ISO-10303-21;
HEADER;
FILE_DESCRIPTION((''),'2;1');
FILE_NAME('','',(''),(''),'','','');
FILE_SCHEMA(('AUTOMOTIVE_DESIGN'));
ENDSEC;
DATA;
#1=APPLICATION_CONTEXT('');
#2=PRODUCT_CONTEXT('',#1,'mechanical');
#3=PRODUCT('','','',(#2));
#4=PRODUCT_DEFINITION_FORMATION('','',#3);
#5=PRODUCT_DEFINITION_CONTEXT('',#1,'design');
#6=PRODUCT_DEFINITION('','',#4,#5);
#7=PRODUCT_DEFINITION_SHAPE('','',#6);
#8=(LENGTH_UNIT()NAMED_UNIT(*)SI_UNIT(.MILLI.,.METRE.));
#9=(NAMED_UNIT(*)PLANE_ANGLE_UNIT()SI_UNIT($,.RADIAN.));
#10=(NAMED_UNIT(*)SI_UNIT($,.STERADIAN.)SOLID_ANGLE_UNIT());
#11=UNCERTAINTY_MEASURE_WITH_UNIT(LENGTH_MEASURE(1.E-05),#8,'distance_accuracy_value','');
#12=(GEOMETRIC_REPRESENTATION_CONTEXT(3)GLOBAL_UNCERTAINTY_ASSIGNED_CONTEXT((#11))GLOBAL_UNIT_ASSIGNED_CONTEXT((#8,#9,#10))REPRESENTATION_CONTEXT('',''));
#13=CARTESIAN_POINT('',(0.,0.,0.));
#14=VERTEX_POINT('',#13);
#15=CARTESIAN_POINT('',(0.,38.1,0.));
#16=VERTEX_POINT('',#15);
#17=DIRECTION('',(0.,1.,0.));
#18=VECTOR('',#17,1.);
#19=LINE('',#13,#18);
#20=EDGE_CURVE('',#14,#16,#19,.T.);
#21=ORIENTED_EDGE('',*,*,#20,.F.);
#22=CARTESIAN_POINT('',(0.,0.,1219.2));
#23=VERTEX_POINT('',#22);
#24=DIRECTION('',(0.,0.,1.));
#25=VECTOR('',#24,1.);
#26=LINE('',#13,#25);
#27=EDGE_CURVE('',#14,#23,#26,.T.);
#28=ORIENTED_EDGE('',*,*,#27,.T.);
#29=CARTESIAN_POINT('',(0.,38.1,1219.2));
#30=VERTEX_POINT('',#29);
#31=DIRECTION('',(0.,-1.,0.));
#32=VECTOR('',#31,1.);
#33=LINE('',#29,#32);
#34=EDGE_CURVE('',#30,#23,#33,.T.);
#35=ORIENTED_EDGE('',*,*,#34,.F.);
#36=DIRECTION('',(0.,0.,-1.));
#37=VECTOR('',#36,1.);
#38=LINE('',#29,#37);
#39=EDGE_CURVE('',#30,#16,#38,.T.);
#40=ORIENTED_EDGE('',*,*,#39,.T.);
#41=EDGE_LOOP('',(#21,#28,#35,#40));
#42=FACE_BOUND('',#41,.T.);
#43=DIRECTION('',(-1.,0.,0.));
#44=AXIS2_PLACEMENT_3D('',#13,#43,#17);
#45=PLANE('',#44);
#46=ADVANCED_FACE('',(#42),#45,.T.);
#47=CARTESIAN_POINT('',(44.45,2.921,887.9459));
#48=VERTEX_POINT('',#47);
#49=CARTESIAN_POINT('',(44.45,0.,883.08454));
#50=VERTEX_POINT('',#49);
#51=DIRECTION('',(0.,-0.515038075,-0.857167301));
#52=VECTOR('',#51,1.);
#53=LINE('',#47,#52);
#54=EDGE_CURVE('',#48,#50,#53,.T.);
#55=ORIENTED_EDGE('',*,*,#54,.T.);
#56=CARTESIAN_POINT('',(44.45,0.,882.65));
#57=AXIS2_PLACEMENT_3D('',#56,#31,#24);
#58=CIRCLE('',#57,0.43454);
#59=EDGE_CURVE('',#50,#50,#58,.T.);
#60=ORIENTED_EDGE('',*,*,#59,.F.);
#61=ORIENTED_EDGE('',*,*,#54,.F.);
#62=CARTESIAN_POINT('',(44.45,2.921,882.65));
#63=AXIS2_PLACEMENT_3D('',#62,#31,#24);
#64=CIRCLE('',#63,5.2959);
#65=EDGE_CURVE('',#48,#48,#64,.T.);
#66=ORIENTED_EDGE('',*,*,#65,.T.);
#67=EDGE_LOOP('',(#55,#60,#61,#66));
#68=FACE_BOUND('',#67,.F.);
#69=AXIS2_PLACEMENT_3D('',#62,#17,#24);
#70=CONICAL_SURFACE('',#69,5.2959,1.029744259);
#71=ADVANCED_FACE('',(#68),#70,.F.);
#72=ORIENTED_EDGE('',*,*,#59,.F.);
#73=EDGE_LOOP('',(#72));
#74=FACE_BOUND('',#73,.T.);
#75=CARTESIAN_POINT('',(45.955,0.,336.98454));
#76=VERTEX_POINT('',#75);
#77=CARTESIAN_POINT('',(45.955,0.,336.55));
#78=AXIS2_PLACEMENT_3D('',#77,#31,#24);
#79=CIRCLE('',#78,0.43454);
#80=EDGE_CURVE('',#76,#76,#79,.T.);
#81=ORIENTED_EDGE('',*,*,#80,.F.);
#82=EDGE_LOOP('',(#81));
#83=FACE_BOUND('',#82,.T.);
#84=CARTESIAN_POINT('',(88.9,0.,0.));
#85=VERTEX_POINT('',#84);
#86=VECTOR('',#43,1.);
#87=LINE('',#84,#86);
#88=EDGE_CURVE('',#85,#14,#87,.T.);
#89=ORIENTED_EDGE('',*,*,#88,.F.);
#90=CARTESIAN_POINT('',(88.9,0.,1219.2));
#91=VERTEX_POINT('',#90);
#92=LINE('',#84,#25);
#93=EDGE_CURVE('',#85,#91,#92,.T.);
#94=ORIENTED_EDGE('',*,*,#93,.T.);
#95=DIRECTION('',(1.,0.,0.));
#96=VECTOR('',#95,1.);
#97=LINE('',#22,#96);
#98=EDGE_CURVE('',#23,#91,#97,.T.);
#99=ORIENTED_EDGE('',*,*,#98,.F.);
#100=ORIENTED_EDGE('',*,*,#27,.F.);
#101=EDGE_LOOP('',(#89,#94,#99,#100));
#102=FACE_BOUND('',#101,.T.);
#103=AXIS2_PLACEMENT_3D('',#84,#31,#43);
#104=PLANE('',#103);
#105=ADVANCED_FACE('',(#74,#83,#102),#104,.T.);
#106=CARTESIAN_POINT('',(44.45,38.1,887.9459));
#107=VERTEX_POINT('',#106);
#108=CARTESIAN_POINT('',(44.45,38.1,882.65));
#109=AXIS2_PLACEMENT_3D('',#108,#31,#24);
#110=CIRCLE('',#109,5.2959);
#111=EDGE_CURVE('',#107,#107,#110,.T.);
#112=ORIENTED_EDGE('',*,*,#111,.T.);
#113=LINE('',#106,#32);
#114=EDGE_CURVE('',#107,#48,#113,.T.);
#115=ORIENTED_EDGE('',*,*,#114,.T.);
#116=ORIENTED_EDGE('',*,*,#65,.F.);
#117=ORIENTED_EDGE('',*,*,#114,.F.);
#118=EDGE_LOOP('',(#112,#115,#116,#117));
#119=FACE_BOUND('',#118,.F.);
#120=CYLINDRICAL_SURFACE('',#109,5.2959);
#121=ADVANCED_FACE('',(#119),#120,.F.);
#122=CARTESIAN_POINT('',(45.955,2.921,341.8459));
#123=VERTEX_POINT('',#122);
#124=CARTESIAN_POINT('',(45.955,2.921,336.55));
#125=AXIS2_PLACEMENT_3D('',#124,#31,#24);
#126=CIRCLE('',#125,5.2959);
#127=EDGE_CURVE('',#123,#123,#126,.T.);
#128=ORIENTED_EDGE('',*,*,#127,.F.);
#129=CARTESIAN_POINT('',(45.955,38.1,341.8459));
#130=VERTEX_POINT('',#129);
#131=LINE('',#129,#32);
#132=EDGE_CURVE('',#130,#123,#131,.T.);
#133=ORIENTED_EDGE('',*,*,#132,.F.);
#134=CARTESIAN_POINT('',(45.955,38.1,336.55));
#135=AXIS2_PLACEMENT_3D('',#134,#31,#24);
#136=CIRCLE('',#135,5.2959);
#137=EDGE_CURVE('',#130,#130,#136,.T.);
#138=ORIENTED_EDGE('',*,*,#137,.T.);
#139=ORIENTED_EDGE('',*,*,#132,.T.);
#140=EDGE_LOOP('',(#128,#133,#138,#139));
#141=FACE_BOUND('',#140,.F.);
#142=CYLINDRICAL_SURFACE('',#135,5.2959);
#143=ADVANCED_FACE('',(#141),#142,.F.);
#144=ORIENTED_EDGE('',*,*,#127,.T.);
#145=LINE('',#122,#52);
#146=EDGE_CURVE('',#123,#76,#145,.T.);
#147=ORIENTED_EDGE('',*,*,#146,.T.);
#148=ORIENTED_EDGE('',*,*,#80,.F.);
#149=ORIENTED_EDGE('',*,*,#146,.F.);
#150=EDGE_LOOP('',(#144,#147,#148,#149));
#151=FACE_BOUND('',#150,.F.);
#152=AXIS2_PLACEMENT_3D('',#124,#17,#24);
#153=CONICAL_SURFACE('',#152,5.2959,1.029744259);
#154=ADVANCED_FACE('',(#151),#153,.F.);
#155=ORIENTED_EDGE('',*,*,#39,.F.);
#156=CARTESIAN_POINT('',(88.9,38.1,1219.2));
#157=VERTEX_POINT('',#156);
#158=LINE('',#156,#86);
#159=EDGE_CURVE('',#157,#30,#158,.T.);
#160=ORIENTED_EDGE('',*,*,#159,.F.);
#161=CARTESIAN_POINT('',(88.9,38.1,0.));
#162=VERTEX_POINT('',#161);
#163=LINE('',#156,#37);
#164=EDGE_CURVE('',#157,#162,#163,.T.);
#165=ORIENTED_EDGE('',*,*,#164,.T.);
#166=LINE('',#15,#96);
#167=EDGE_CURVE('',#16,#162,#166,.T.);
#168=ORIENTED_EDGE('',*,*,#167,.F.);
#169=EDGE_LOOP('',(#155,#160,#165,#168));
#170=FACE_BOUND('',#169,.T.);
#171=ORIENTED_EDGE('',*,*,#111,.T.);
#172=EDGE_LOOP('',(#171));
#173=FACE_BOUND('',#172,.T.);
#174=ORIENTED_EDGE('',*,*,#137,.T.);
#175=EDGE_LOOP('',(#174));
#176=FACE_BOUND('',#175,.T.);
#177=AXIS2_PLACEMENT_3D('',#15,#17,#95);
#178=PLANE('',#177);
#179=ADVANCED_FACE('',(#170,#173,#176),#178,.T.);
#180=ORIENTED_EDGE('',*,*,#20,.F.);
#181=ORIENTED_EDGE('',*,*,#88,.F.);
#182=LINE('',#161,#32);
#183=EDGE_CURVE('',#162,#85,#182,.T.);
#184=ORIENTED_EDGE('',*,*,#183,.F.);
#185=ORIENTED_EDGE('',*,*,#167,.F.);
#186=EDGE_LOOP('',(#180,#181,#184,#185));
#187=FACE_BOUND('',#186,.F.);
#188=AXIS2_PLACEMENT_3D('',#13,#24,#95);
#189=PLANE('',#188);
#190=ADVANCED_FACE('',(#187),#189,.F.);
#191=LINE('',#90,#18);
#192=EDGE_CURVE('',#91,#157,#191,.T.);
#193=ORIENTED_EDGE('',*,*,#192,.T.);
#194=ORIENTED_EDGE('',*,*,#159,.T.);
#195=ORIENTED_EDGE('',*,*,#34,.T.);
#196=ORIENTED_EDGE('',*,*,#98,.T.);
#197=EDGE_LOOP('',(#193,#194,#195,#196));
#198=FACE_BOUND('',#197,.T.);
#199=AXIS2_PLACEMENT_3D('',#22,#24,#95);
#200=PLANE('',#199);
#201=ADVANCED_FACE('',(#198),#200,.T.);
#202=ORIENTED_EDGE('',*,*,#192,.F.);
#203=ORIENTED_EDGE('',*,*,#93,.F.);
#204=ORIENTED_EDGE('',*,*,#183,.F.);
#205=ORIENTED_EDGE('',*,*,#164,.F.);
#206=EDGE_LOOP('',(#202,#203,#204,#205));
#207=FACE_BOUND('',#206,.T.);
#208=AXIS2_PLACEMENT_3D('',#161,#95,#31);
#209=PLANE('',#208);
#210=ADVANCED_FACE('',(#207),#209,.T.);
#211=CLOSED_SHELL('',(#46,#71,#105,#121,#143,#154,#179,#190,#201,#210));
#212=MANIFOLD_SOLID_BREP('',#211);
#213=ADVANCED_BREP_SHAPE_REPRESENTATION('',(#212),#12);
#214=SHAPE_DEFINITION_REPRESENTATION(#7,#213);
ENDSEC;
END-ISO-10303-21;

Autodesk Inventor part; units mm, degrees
ref_plane "YZ Plane" through (0, 0, 0) normal (1, 0, 0) x (0, 1, 0)
ref_plane "XZ Plane" through (0, 0, 0) normal (0, 1, 0) x (-1, 0, 0)
ref_plane "XY Plane" through (0, 0, 0) normal (0, 0, 1) x (1, 0, 0)
sketch "Sketch1" plane through (0, 0, 0) normal (0, 0, 1) x (1, 0, 0)
  line L0 (0, 0) -> (0, 38.1)
  line L1 (0, 38.1) -> (88.9, 38.1)
  line L2 (88.9, 38.1) -> (88.9, 0)
  line L3 (88.9, 0) -> (0, 0)
  dimension "d0" = 38.1
  dimension "d1" = 88.9
extrude "Extrusion1" add sketch "Sketch1" along normal blind 533.4
sketch "Sketch3" plane through (0, 0, 533.4) normal (0, 0, 1) x (1, 0, 0)
  line L0 (0, 38.1) -> (0, 0) projected
  line L1 (0, 0) -> (88.9, 0) projected
  line L2 (88.9, 0) -> (88.9, 38.1) projected
  line L3 (88.9, 38.1) -> (0, 38.1) projected
extrude "Extrusion2" add sketch "Sketch3" along normal blind 685.8
sketch "Sketch5" plane through (0, 38.1, 0) normal (0, 1, 0) x (1, 0, 0)
  line L0 (0, 0) -> (88.9, 0) projected
  line L1 (0, 0) -> (0, -1219.2) projected
  line L2 (88.9, -1219.2) -> (0, -1219.2) projected
  line L3 (88.9, 0) -> (88.9, -1219.2) projected
  line L4 (88.9, 0) -> (0, 0) projected
  line L5 (88.9, 0) -> (0, 0)
  line L6 (0, -38.1) -> (88.9, -38.1)
  line L7 (0, -295.275) -> (88.9, -295.275)
  line L8 (0, -333.375) -> (88.9, -333.375)
  line L9 (0, -590.55) -> (88.9, -590.55)
  line L10 (0, -628.65) -> (88.9, -628.65)
  line L11 (0, -885.825) -> (88.9, -885.825)
  line L12 (0, -923.925) -> (88.9, -923.925)
  line L13 (0, -1181.1) -> (88.9, -1181.1)
  line L14 (0, -1219.2) -> (88.9, -1219.2)
  dimension "d15" = 38.1
  dimension "d16" = 257.175
  dimension "d17" = 38.1
  dimension "d18" = 257.175
  dimension "d19" = 38.1
  dimension "d20" = 257.175
  dimension "d21" = 38.1
  dimension "d22" = 257.175
  dimension "d23" = 38.1
sketch "Sketch6" plane through (0, 38.1, 0) normal (0, 1, 0) x (1, 0, 0)
  line L0 (88.9, 0) -> (88.9, -336.55)
  line L1 (88.9, -1219.2) -> (88.9, -882.65)
  line L2 (88.9, -1219.2) -> (425.45, -1219.2) construction
  point P0 (44.45, -882.65)
  point P1 (45.955, -336.55)
  dimension "d26" = 90
hole "Hole1" at (44.45, 38.1, 882.65) at (45.955, 38.1, 336.55) direction (0, -1, 0) diameter 10.5918 depth 35.179 tip angle 118 thread size "1/2-13 UNC" class "2B" standard "ANSI Unified Screw Threads"
properties part number "48in 2x4" material "Pine, Radiata"
